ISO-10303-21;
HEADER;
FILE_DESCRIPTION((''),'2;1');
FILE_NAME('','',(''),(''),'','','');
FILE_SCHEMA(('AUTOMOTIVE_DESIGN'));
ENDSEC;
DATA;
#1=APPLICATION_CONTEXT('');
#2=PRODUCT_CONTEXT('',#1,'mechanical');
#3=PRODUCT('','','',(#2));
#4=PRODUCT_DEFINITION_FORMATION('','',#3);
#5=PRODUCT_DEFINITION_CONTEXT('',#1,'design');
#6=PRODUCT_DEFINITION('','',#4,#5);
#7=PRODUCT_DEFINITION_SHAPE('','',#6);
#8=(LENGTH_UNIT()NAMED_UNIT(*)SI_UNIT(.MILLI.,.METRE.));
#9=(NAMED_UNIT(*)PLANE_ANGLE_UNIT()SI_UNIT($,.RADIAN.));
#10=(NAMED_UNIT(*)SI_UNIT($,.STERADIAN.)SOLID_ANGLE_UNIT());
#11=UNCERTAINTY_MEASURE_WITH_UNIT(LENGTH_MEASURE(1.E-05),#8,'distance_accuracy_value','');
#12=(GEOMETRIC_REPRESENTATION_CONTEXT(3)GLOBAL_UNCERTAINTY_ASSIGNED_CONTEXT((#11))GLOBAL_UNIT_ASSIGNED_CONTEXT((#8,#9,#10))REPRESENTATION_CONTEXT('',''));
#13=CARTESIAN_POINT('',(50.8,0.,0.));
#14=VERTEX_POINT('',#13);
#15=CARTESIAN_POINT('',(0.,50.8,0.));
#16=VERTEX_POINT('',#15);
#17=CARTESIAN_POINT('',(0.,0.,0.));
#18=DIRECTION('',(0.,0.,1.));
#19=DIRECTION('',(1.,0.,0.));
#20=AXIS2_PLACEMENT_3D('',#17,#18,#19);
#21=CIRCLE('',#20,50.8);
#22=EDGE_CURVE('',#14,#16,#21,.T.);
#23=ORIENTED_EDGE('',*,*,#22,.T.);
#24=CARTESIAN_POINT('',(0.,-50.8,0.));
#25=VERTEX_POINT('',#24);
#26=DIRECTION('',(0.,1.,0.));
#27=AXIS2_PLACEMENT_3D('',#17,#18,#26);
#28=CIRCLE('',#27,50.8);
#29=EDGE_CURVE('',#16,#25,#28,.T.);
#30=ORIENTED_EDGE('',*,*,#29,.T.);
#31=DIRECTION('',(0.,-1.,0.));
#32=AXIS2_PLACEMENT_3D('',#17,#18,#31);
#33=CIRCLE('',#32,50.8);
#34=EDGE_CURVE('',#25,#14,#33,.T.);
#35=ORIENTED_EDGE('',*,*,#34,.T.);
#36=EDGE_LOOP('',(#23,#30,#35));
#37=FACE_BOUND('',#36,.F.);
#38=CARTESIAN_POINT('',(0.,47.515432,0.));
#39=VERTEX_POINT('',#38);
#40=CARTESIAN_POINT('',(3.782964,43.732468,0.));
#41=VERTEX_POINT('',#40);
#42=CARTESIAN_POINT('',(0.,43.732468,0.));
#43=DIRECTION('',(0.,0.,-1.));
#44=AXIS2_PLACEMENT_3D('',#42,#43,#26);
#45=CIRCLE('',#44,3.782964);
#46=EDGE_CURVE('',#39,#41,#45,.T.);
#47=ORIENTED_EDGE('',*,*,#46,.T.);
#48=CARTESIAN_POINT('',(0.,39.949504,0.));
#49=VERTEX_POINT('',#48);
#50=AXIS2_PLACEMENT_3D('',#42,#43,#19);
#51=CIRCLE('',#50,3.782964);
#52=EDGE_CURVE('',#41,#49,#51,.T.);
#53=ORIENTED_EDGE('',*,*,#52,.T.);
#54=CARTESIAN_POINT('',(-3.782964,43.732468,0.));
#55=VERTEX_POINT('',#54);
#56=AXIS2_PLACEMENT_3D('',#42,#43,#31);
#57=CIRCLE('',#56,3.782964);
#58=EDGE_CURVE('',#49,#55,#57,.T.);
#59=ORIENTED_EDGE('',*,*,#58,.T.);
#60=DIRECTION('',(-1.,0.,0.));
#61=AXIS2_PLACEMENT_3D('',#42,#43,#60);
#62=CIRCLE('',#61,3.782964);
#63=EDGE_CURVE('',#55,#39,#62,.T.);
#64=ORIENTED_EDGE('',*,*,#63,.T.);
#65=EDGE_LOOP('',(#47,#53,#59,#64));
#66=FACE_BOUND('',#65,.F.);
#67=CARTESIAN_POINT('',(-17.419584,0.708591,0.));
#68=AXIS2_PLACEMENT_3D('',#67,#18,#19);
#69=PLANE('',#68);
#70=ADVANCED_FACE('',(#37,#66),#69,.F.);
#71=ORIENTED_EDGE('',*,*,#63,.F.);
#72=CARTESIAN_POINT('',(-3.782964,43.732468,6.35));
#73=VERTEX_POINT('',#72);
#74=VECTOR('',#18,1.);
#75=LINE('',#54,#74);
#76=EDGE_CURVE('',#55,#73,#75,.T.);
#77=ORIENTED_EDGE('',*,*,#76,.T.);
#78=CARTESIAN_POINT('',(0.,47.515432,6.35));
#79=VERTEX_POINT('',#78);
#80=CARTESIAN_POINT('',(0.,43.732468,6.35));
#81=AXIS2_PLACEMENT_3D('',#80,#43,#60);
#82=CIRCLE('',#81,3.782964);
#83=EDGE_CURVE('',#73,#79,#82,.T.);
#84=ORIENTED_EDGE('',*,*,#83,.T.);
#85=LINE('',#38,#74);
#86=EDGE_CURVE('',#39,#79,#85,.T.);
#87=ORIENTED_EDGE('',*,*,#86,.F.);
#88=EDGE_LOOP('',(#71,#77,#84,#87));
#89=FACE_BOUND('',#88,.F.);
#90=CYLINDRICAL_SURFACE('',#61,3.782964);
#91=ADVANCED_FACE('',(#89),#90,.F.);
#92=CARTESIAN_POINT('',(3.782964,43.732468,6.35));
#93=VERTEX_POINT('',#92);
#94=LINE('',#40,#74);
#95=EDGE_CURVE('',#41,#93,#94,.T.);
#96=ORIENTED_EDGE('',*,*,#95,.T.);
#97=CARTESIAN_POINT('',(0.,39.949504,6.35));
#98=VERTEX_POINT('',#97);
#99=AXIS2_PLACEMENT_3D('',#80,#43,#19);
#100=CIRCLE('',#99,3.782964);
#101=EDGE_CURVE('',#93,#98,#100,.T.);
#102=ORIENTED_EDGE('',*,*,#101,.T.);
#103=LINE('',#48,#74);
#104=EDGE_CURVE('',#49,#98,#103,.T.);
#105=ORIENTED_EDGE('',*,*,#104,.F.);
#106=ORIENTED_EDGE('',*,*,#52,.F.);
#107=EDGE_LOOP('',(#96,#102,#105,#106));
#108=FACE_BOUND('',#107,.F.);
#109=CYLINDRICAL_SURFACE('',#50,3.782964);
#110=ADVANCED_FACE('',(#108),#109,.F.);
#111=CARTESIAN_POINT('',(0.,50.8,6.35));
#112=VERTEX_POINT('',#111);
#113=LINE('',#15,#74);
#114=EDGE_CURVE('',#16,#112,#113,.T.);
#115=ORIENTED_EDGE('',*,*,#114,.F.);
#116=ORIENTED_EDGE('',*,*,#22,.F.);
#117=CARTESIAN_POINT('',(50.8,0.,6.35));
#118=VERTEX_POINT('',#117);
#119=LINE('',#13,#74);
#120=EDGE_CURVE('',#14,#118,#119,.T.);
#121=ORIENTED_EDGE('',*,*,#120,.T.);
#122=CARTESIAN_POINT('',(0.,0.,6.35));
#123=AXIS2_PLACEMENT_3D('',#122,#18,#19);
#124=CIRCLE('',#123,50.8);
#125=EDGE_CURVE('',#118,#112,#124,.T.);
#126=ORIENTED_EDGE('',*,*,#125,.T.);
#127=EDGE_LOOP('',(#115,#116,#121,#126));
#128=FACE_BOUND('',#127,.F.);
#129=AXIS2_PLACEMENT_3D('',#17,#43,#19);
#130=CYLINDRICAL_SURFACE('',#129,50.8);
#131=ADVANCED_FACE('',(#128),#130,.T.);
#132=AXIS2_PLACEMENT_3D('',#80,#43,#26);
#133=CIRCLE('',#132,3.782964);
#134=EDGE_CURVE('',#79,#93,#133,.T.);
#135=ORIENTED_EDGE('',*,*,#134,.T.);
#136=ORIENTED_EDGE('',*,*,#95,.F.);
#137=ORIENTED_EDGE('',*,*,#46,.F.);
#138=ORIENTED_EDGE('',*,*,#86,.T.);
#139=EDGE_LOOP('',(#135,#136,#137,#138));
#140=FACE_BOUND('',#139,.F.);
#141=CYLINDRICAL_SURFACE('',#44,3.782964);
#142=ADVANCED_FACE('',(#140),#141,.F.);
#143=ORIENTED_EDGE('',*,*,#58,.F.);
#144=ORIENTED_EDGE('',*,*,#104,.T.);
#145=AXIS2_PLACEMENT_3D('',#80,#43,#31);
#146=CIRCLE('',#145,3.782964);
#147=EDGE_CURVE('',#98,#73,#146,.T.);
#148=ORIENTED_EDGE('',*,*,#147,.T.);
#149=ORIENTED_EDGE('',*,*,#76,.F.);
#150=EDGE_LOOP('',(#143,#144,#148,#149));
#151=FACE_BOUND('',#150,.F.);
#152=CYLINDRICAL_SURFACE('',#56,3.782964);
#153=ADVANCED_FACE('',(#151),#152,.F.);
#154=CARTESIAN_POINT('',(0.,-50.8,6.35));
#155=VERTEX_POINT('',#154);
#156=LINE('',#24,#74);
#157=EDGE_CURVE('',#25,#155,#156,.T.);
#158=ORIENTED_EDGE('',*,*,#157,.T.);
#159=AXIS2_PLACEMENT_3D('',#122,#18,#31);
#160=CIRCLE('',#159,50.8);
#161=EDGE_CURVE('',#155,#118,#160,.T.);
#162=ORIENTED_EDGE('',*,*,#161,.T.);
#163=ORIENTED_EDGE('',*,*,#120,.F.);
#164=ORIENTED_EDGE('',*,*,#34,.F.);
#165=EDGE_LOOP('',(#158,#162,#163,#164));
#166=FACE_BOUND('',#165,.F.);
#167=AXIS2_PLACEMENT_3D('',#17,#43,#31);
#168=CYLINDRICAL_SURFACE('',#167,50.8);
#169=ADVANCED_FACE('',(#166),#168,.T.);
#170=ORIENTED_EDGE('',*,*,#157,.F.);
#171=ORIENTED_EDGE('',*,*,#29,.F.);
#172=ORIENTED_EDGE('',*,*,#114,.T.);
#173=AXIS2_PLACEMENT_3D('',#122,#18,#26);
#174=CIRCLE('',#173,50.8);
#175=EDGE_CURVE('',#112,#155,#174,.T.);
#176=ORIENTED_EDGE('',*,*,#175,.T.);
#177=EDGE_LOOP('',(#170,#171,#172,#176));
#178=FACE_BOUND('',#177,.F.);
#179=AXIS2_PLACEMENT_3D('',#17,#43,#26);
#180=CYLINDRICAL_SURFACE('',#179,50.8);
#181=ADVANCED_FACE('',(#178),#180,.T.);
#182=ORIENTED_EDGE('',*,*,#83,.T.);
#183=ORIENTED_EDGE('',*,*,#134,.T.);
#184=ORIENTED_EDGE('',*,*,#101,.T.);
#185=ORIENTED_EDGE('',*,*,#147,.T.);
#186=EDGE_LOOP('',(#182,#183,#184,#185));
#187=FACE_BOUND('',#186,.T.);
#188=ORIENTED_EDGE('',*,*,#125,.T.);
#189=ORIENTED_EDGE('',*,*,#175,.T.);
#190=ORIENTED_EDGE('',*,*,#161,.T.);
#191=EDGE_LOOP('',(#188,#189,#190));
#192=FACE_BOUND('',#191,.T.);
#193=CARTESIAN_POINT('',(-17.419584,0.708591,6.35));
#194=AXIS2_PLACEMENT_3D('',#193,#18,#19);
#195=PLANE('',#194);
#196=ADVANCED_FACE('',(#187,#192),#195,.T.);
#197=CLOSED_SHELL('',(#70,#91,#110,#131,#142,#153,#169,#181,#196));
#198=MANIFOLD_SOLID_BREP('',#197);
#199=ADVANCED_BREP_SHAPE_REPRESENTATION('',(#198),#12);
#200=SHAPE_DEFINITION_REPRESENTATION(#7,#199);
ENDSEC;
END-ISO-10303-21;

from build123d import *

# Parameters (mm, degrees)
F1_DEPTH = 6.35


with BuildPart() as f1:
    # F0 (on Top) → F1 (new body)
    with BuildSketch(Plane.XY):
        with BuildLine():
            Line((0, 47.5154318641), (0, 50.8))
            ThreePointArc((0, 50.8), (-50.8, 0), (0, -50.8))
            Line((0, -50.8), (0, 39.9495042134))
            ThreePointArc((0, 39.9495042134), (-2.6749593739, 41.0575086649), (-3.7829638253, 43.7324680388))
            ThreePointArc((-3.7829638253, 43.7324680388), (-2.6749593739, 46.4074274127), (0, 47.5154318641))
        make_face()
        with BuildLine():
            ThreePointArc((0, -50.8), (35.9210244843, -35.9210244843), (50.8, 0))
            ThreePointArc((50.8, 0), (35.9210244843, 35.9210244843), (0, 50.8))
            Line((0, 50.8), (0, 47.5154318641))
            ThreePointArc((0, 47.5154318641), (2.6749593739, 46.4074274127), (3.7829638253, 43.7324680388))
            ThreePointArc((3.7829638253, 43.7324680388), (2.6749593739, 41.0575086649), (0, 39.9495042134))
            Line((0, 39.9495042134), (0, -50.8))
        make_face()
    extrude(amount=F1_DEPTH)


solid = f1.part
